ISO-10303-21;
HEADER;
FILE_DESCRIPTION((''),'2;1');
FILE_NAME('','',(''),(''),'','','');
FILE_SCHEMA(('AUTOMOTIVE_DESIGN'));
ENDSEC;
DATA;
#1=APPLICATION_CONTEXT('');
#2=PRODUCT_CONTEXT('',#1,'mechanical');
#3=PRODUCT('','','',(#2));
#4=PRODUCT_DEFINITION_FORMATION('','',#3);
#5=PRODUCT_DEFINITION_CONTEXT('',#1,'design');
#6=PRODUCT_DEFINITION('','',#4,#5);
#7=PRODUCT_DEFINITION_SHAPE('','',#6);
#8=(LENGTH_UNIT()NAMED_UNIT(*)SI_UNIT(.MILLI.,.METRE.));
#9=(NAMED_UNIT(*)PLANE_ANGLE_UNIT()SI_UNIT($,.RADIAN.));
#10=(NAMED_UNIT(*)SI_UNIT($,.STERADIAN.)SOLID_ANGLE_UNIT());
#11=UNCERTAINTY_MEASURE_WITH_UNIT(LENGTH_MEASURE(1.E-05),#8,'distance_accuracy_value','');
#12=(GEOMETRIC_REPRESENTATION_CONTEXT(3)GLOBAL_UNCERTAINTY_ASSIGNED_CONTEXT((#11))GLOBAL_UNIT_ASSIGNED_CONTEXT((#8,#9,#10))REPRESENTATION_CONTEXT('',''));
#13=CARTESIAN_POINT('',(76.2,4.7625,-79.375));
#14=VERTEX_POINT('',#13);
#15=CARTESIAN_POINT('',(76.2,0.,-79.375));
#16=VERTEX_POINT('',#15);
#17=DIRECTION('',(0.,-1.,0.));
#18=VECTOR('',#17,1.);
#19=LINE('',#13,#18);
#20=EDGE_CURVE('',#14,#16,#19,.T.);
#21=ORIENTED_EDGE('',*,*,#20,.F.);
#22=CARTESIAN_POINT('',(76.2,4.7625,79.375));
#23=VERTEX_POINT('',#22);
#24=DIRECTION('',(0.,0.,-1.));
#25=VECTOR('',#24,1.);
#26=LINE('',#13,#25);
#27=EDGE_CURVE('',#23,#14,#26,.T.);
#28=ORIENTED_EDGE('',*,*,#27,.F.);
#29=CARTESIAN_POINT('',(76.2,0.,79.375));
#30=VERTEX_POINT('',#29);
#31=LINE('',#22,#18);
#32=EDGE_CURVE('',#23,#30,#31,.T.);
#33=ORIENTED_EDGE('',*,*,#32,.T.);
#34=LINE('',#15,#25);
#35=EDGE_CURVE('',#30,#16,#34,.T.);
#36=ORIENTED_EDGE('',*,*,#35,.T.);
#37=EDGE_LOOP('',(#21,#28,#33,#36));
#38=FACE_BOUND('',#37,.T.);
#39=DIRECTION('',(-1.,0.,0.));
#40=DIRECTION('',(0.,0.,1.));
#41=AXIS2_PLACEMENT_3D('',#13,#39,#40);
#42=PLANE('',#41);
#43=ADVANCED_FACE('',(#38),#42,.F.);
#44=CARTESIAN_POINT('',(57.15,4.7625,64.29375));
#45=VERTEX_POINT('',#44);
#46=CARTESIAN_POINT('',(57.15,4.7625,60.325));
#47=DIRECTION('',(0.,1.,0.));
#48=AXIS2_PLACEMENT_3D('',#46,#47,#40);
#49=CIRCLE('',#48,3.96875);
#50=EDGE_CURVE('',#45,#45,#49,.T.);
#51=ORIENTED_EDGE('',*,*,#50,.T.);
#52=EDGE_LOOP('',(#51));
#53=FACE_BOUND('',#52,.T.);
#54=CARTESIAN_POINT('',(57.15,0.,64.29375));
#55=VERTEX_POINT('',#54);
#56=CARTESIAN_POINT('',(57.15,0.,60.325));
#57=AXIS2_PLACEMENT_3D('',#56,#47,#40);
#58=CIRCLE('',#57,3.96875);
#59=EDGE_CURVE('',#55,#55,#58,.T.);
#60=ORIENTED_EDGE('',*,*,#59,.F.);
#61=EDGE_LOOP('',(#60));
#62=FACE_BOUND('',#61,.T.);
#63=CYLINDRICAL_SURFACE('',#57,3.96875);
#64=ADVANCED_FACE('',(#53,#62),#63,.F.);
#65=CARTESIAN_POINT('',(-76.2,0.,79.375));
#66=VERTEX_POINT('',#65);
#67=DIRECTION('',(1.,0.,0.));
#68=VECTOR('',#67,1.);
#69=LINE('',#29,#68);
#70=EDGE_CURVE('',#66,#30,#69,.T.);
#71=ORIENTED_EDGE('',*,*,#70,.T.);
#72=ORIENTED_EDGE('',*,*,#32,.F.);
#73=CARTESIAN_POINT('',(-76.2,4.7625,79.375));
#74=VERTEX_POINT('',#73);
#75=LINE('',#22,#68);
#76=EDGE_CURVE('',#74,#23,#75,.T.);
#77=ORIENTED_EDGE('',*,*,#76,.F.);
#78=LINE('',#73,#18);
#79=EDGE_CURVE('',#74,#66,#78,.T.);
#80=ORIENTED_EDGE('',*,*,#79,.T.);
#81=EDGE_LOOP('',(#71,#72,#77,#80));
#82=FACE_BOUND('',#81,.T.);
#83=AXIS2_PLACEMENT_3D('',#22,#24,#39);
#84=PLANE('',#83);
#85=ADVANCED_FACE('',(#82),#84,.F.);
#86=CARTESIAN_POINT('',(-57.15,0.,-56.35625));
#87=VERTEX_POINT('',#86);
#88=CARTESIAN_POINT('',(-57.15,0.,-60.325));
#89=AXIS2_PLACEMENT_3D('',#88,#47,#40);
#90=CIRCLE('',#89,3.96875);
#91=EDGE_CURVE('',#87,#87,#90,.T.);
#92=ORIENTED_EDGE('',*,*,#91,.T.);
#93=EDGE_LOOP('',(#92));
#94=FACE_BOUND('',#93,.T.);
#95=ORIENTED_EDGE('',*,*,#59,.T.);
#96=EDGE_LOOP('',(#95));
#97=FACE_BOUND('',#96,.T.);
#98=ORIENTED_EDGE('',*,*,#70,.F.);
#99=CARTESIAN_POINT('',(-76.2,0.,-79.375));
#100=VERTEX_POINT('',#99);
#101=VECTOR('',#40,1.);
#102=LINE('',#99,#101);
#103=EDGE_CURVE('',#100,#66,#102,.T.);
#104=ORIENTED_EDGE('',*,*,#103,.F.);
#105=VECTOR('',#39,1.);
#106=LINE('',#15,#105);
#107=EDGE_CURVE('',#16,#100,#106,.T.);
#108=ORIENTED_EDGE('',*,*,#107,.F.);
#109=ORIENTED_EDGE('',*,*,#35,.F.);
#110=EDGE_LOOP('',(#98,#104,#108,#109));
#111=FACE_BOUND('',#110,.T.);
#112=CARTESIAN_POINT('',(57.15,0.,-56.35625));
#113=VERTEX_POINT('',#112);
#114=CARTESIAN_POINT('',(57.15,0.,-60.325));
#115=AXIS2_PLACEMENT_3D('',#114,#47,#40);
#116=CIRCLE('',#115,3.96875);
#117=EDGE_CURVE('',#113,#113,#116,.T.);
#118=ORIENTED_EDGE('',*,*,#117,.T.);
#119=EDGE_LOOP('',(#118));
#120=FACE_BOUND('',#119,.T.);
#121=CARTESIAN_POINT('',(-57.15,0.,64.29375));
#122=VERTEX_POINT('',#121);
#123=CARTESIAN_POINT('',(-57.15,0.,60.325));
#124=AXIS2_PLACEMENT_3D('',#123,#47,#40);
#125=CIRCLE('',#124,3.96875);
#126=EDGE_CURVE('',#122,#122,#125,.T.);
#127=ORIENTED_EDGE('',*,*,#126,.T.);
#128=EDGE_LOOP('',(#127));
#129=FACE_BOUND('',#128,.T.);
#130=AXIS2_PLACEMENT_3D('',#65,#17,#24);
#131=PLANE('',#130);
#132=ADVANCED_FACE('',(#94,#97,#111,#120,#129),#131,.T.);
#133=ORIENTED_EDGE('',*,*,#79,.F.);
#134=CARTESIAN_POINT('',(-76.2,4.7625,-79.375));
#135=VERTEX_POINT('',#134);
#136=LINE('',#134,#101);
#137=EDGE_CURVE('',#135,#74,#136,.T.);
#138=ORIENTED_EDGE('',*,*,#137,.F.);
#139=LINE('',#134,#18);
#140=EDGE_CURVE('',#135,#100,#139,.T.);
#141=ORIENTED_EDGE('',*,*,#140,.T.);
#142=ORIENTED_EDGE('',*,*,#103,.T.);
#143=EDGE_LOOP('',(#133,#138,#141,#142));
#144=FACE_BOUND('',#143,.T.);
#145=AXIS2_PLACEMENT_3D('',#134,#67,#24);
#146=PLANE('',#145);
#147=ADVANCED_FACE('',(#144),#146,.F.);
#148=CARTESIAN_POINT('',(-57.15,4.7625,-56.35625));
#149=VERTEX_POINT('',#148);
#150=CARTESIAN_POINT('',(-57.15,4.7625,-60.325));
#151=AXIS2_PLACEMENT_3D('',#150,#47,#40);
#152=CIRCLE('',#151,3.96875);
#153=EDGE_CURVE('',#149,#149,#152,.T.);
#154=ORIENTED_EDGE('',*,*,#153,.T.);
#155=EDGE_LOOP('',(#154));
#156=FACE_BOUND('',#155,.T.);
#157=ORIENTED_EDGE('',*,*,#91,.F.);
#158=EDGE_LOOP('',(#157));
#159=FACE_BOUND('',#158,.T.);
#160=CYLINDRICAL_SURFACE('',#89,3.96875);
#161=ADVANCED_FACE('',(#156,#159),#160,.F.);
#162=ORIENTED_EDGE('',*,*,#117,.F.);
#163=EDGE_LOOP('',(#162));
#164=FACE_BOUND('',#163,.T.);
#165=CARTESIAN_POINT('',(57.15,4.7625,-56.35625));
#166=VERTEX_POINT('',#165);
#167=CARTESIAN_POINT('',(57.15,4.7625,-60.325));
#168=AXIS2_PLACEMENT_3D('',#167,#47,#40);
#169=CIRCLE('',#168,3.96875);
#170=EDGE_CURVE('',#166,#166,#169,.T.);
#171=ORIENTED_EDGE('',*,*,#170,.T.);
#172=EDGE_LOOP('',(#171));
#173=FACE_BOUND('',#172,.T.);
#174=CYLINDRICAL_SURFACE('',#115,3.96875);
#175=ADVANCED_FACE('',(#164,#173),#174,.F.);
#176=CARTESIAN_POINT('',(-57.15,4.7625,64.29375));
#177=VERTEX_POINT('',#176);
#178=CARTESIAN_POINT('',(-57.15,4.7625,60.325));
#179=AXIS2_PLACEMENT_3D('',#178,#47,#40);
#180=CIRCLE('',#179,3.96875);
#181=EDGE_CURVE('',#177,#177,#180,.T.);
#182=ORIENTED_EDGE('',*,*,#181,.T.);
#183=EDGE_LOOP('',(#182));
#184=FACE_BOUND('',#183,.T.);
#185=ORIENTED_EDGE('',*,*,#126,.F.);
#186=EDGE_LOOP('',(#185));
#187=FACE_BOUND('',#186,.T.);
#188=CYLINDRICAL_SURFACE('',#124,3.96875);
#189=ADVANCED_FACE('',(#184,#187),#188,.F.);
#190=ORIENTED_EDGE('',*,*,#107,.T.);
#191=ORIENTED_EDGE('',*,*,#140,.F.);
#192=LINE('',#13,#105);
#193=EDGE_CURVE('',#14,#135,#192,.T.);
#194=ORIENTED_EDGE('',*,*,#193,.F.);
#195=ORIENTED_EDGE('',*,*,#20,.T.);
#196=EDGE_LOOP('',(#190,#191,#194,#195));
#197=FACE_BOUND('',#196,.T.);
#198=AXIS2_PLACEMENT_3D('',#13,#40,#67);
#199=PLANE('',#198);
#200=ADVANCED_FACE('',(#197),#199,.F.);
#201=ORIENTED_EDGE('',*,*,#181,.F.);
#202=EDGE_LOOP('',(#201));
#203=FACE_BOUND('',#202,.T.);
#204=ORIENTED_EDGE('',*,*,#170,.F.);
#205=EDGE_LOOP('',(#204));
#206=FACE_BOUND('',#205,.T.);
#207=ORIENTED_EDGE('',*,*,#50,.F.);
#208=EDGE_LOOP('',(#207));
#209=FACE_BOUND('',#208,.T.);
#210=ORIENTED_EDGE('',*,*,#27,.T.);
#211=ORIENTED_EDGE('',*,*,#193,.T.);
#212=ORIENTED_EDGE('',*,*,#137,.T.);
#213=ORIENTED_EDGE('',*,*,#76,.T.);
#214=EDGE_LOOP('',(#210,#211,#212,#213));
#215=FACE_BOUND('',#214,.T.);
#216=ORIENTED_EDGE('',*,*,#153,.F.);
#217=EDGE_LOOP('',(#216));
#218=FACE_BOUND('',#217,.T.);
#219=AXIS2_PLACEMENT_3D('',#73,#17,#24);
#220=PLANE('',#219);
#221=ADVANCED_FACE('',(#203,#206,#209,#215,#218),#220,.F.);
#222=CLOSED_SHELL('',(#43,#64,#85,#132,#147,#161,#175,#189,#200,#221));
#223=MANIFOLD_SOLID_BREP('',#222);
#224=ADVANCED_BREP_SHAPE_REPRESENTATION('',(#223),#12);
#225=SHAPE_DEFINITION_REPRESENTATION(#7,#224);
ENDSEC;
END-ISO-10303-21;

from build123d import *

# Parameters (mm, degrees)
SKETCH1_W           = 152.4
SKETCH1_H           = 158.75
BOSS_EXTRUDE1_DEPTH = 4.7625
SKETCH3_R           = 3.96875
CUT_EXTRUDE2_DEPTH  = 5.7625


with BuildPart() as part:
    # Sketch1 → Boss-Extrude1 (new body)
    with BuildSketch(Plane(origin=(0, 0, 0), x_dir=(1, 0, 0), z_dir=(0, 1, 0))):
        Rectangle(SKETCH1_W, SKETCH1_H)
    extrude(amount=BOSS_EXTRUDE1_DEPTH)

    # Sketch3 → Cut-Extrude2 (cut, through all)
    with BuildSketch(Plane(origin=(0, 4.7625, 0), x_dir=(1, 0, 0), z_dir=(0, 1, 0))):
        with Locations((-57.15, 60.325)):
            Circle(SKETCH3_R)
        with Locations((57.15, 60.325)):
            Circle(SKETCH3_R)
        with Locations((-57.15, -60.325)):
            Circle(SKETCH3_R)
        with Locations((57.15, -60.325)):
            Circle(SKETCH3_R)
    extrude(amount=-CUT_EXTRUDE2_DEPTH, mode=Mode.SUBTRACT)


solid = part.part
